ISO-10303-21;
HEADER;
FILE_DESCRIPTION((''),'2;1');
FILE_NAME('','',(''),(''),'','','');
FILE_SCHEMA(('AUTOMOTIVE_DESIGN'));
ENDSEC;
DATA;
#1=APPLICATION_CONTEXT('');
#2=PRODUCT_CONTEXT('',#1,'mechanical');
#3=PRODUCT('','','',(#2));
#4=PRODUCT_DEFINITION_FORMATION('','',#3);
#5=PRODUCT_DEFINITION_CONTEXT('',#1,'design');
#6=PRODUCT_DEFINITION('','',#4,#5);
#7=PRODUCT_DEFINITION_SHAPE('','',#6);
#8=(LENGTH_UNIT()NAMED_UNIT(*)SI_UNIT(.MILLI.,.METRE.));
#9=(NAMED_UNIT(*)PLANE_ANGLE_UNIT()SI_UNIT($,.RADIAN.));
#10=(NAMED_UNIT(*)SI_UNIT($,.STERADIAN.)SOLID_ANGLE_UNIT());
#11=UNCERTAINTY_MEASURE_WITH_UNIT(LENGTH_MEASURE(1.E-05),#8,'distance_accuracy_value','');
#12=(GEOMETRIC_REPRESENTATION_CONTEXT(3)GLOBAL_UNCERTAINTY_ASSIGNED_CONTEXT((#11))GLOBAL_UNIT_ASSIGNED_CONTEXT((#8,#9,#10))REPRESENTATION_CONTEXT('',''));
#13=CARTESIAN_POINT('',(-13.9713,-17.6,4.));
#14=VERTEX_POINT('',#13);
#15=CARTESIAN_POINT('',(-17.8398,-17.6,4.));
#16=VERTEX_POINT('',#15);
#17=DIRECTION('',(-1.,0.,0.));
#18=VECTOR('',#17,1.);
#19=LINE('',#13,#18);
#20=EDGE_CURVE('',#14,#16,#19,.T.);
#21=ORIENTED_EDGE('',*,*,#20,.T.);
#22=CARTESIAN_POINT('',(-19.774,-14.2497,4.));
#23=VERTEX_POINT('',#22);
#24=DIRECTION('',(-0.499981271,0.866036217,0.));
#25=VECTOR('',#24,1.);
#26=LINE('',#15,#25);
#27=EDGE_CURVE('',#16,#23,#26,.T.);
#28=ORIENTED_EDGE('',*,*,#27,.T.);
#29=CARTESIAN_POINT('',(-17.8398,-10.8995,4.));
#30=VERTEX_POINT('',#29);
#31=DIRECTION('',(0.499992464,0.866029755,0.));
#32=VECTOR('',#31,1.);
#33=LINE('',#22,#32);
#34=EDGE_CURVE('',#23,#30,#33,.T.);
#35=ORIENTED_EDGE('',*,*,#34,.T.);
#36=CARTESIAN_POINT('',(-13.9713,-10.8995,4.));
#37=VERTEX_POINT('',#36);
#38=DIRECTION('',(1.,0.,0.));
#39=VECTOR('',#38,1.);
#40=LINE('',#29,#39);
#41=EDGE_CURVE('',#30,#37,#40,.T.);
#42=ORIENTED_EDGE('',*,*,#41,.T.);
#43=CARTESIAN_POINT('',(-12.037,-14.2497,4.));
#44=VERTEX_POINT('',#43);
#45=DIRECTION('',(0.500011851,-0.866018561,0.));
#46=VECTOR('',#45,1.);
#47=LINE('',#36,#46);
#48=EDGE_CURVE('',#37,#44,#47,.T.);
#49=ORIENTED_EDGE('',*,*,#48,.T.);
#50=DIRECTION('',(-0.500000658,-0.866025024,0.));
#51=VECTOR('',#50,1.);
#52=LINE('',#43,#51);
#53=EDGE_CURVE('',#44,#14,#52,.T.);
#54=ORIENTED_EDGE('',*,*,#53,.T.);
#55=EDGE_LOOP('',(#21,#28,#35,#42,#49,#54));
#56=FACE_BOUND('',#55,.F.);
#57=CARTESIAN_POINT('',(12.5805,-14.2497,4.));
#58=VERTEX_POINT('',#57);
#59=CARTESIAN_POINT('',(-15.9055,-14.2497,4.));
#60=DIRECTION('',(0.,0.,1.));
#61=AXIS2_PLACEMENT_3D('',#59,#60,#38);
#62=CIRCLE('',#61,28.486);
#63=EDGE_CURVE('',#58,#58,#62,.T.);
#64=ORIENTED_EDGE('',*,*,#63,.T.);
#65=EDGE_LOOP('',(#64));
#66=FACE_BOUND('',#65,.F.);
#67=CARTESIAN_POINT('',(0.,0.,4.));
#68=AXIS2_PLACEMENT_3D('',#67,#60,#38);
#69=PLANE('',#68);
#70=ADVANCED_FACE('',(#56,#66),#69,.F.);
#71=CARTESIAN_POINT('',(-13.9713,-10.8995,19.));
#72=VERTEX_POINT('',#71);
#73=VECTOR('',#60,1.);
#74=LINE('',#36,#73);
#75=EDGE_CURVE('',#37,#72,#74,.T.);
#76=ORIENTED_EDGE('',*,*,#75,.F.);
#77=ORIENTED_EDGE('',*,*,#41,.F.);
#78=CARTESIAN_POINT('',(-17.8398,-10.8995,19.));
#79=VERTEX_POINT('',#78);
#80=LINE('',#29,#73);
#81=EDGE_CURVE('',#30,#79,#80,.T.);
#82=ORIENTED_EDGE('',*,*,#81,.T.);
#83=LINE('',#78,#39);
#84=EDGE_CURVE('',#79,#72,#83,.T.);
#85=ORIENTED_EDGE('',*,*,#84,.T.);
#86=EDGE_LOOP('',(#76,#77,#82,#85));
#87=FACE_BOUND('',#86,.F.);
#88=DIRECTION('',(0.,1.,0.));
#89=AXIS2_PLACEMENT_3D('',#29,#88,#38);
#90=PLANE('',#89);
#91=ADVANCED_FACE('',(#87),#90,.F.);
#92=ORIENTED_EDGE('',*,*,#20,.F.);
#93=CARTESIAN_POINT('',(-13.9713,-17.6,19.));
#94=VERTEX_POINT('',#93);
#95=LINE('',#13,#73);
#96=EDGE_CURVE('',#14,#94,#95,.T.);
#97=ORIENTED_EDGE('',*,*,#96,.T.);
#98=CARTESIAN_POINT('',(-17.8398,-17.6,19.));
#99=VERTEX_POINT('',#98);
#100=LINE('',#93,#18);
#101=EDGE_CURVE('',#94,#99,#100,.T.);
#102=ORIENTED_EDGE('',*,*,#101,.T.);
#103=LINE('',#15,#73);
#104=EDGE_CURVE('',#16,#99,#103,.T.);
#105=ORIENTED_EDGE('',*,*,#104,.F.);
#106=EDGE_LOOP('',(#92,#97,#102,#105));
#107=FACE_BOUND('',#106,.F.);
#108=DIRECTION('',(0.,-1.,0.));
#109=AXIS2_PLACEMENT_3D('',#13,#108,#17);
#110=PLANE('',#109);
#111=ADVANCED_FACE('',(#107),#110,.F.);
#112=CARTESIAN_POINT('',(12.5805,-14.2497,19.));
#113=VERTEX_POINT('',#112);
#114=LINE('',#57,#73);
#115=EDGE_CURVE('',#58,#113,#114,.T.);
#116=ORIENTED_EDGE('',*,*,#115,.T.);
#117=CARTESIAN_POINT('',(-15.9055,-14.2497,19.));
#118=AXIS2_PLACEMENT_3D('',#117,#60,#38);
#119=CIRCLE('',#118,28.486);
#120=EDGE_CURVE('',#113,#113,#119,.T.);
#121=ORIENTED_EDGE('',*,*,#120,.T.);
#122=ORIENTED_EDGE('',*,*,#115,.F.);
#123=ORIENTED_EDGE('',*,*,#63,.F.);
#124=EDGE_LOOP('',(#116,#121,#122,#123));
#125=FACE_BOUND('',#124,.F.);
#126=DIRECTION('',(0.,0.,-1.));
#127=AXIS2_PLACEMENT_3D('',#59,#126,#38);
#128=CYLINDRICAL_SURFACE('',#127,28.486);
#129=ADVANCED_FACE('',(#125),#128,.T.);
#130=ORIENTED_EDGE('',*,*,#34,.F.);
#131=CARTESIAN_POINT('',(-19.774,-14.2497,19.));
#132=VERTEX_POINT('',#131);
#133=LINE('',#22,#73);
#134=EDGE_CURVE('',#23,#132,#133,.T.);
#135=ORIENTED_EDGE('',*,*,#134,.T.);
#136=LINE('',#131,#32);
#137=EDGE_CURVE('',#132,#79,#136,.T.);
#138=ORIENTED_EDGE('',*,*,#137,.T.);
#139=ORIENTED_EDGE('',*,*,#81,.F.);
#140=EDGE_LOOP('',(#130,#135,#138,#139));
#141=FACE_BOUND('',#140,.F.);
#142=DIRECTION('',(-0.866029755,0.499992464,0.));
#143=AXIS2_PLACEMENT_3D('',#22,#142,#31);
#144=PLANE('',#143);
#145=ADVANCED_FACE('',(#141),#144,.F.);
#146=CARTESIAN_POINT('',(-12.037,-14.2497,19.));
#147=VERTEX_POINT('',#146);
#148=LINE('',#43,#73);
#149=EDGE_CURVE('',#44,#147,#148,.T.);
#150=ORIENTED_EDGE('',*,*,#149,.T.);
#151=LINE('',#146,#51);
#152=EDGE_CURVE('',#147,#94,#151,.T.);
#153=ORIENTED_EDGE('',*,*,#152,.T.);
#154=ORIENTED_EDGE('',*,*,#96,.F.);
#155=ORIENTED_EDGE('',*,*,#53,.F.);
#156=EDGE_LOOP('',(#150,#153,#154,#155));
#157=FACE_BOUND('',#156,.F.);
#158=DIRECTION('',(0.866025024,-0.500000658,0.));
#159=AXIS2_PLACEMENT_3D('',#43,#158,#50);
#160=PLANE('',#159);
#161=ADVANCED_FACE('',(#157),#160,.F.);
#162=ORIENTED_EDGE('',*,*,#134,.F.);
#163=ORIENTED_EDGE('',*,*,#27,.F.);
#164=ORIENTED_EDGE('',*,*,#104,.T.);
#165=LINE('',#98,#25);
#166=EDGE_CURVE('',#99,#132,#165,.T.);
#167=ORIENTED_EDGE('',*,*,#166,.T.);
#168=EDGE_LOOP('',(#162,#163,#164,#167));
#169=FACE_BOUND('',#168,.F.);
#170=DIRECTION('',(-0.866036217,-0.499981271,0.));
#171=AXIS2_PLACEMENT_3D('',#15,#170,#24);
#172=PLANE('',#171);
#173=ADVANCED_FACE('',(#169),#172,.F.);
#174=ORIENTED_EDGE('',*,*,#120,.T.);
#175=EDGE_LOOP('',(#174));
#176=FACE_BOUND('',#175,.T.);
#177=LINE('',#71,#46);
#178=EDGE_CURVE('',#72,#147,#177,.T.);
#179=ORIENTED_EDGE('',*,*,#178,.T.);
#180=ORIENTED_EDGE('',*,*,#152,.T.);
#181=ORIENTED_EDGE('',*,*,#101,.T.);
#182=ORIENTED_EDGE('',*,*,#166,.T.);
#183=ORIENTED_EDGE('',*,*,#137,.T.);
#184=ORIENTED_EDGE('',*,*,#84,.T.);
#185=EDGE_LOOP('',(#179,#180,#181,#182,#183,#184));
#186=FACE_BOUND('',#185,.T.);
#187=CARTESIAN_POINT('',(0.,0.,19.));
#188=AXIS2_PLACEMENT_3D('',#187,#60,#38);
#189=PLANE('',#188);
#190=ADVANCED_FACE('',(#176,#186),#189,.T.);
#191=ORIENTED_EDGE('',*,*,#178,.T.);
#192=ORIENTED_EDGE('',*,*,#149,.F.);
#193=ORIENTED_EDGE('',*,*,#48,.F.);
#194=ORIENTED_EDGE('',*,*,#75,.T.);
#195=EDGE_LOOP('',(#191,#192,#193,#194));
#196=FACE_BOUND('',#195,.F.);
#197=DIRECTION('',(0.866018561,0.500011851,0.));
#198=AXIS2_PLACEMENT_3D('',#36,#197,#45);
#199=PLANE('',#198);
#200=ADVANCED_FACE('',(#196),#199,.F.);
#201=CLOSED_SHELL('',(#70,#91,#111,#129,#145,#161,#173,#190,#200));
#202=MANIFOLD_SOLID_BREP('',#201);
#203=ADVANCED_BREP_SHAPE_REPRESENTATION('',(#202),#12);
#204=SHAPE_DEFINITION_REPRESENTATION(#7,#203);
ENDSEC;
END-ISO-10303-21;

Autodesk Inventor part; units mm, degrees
ref_plane "YZ Plane" through (0, 0, 0) normal (1, 0, 0) x (0, 1, 0)
ref_plane "XZ Plane" through (0, 0, 0) normal (0, 1, 0) x (-1, 0, 0)
ref_plane "Work Plane1" through (0, 0, 4) normal (0, 0, 1) x (1, 0, 0)
sketch "Sketch1" plane through (0, 0, 4) normal (0, 0, 1) x (1, 0, 0)
  circle A0 centre (-15.9055, -14.2497) radius 6 construction
  circle A1 centre (-15.9055, -14.2497) radius 28.486
  line L0 (-13.9713, -10.8995) -> (-12.037, -14.2497)
  line L1 (-12.037, -14.2497) -> (-13.9713, -17.6)
  line L2 (-13.9713, -17.6) -> (-17.8398, -17.6)
  line L3 (-17.8398, -17.6) -> (-19.774, -14.2497)
  line L4 (-19.774, -14.2497) -> (-17.8398, -10.8995)
  line L5 (-17.8398, -10.8995) -> (-13.9713, -10.8995)
  point P0 (0, 0)
  dimension "d0" = 56.972
  dimension "d1" = 7.737
extrude "Extrusion1" add sketch "Sketch1" along normal blind 15
properties part number "pumpSchematic"
